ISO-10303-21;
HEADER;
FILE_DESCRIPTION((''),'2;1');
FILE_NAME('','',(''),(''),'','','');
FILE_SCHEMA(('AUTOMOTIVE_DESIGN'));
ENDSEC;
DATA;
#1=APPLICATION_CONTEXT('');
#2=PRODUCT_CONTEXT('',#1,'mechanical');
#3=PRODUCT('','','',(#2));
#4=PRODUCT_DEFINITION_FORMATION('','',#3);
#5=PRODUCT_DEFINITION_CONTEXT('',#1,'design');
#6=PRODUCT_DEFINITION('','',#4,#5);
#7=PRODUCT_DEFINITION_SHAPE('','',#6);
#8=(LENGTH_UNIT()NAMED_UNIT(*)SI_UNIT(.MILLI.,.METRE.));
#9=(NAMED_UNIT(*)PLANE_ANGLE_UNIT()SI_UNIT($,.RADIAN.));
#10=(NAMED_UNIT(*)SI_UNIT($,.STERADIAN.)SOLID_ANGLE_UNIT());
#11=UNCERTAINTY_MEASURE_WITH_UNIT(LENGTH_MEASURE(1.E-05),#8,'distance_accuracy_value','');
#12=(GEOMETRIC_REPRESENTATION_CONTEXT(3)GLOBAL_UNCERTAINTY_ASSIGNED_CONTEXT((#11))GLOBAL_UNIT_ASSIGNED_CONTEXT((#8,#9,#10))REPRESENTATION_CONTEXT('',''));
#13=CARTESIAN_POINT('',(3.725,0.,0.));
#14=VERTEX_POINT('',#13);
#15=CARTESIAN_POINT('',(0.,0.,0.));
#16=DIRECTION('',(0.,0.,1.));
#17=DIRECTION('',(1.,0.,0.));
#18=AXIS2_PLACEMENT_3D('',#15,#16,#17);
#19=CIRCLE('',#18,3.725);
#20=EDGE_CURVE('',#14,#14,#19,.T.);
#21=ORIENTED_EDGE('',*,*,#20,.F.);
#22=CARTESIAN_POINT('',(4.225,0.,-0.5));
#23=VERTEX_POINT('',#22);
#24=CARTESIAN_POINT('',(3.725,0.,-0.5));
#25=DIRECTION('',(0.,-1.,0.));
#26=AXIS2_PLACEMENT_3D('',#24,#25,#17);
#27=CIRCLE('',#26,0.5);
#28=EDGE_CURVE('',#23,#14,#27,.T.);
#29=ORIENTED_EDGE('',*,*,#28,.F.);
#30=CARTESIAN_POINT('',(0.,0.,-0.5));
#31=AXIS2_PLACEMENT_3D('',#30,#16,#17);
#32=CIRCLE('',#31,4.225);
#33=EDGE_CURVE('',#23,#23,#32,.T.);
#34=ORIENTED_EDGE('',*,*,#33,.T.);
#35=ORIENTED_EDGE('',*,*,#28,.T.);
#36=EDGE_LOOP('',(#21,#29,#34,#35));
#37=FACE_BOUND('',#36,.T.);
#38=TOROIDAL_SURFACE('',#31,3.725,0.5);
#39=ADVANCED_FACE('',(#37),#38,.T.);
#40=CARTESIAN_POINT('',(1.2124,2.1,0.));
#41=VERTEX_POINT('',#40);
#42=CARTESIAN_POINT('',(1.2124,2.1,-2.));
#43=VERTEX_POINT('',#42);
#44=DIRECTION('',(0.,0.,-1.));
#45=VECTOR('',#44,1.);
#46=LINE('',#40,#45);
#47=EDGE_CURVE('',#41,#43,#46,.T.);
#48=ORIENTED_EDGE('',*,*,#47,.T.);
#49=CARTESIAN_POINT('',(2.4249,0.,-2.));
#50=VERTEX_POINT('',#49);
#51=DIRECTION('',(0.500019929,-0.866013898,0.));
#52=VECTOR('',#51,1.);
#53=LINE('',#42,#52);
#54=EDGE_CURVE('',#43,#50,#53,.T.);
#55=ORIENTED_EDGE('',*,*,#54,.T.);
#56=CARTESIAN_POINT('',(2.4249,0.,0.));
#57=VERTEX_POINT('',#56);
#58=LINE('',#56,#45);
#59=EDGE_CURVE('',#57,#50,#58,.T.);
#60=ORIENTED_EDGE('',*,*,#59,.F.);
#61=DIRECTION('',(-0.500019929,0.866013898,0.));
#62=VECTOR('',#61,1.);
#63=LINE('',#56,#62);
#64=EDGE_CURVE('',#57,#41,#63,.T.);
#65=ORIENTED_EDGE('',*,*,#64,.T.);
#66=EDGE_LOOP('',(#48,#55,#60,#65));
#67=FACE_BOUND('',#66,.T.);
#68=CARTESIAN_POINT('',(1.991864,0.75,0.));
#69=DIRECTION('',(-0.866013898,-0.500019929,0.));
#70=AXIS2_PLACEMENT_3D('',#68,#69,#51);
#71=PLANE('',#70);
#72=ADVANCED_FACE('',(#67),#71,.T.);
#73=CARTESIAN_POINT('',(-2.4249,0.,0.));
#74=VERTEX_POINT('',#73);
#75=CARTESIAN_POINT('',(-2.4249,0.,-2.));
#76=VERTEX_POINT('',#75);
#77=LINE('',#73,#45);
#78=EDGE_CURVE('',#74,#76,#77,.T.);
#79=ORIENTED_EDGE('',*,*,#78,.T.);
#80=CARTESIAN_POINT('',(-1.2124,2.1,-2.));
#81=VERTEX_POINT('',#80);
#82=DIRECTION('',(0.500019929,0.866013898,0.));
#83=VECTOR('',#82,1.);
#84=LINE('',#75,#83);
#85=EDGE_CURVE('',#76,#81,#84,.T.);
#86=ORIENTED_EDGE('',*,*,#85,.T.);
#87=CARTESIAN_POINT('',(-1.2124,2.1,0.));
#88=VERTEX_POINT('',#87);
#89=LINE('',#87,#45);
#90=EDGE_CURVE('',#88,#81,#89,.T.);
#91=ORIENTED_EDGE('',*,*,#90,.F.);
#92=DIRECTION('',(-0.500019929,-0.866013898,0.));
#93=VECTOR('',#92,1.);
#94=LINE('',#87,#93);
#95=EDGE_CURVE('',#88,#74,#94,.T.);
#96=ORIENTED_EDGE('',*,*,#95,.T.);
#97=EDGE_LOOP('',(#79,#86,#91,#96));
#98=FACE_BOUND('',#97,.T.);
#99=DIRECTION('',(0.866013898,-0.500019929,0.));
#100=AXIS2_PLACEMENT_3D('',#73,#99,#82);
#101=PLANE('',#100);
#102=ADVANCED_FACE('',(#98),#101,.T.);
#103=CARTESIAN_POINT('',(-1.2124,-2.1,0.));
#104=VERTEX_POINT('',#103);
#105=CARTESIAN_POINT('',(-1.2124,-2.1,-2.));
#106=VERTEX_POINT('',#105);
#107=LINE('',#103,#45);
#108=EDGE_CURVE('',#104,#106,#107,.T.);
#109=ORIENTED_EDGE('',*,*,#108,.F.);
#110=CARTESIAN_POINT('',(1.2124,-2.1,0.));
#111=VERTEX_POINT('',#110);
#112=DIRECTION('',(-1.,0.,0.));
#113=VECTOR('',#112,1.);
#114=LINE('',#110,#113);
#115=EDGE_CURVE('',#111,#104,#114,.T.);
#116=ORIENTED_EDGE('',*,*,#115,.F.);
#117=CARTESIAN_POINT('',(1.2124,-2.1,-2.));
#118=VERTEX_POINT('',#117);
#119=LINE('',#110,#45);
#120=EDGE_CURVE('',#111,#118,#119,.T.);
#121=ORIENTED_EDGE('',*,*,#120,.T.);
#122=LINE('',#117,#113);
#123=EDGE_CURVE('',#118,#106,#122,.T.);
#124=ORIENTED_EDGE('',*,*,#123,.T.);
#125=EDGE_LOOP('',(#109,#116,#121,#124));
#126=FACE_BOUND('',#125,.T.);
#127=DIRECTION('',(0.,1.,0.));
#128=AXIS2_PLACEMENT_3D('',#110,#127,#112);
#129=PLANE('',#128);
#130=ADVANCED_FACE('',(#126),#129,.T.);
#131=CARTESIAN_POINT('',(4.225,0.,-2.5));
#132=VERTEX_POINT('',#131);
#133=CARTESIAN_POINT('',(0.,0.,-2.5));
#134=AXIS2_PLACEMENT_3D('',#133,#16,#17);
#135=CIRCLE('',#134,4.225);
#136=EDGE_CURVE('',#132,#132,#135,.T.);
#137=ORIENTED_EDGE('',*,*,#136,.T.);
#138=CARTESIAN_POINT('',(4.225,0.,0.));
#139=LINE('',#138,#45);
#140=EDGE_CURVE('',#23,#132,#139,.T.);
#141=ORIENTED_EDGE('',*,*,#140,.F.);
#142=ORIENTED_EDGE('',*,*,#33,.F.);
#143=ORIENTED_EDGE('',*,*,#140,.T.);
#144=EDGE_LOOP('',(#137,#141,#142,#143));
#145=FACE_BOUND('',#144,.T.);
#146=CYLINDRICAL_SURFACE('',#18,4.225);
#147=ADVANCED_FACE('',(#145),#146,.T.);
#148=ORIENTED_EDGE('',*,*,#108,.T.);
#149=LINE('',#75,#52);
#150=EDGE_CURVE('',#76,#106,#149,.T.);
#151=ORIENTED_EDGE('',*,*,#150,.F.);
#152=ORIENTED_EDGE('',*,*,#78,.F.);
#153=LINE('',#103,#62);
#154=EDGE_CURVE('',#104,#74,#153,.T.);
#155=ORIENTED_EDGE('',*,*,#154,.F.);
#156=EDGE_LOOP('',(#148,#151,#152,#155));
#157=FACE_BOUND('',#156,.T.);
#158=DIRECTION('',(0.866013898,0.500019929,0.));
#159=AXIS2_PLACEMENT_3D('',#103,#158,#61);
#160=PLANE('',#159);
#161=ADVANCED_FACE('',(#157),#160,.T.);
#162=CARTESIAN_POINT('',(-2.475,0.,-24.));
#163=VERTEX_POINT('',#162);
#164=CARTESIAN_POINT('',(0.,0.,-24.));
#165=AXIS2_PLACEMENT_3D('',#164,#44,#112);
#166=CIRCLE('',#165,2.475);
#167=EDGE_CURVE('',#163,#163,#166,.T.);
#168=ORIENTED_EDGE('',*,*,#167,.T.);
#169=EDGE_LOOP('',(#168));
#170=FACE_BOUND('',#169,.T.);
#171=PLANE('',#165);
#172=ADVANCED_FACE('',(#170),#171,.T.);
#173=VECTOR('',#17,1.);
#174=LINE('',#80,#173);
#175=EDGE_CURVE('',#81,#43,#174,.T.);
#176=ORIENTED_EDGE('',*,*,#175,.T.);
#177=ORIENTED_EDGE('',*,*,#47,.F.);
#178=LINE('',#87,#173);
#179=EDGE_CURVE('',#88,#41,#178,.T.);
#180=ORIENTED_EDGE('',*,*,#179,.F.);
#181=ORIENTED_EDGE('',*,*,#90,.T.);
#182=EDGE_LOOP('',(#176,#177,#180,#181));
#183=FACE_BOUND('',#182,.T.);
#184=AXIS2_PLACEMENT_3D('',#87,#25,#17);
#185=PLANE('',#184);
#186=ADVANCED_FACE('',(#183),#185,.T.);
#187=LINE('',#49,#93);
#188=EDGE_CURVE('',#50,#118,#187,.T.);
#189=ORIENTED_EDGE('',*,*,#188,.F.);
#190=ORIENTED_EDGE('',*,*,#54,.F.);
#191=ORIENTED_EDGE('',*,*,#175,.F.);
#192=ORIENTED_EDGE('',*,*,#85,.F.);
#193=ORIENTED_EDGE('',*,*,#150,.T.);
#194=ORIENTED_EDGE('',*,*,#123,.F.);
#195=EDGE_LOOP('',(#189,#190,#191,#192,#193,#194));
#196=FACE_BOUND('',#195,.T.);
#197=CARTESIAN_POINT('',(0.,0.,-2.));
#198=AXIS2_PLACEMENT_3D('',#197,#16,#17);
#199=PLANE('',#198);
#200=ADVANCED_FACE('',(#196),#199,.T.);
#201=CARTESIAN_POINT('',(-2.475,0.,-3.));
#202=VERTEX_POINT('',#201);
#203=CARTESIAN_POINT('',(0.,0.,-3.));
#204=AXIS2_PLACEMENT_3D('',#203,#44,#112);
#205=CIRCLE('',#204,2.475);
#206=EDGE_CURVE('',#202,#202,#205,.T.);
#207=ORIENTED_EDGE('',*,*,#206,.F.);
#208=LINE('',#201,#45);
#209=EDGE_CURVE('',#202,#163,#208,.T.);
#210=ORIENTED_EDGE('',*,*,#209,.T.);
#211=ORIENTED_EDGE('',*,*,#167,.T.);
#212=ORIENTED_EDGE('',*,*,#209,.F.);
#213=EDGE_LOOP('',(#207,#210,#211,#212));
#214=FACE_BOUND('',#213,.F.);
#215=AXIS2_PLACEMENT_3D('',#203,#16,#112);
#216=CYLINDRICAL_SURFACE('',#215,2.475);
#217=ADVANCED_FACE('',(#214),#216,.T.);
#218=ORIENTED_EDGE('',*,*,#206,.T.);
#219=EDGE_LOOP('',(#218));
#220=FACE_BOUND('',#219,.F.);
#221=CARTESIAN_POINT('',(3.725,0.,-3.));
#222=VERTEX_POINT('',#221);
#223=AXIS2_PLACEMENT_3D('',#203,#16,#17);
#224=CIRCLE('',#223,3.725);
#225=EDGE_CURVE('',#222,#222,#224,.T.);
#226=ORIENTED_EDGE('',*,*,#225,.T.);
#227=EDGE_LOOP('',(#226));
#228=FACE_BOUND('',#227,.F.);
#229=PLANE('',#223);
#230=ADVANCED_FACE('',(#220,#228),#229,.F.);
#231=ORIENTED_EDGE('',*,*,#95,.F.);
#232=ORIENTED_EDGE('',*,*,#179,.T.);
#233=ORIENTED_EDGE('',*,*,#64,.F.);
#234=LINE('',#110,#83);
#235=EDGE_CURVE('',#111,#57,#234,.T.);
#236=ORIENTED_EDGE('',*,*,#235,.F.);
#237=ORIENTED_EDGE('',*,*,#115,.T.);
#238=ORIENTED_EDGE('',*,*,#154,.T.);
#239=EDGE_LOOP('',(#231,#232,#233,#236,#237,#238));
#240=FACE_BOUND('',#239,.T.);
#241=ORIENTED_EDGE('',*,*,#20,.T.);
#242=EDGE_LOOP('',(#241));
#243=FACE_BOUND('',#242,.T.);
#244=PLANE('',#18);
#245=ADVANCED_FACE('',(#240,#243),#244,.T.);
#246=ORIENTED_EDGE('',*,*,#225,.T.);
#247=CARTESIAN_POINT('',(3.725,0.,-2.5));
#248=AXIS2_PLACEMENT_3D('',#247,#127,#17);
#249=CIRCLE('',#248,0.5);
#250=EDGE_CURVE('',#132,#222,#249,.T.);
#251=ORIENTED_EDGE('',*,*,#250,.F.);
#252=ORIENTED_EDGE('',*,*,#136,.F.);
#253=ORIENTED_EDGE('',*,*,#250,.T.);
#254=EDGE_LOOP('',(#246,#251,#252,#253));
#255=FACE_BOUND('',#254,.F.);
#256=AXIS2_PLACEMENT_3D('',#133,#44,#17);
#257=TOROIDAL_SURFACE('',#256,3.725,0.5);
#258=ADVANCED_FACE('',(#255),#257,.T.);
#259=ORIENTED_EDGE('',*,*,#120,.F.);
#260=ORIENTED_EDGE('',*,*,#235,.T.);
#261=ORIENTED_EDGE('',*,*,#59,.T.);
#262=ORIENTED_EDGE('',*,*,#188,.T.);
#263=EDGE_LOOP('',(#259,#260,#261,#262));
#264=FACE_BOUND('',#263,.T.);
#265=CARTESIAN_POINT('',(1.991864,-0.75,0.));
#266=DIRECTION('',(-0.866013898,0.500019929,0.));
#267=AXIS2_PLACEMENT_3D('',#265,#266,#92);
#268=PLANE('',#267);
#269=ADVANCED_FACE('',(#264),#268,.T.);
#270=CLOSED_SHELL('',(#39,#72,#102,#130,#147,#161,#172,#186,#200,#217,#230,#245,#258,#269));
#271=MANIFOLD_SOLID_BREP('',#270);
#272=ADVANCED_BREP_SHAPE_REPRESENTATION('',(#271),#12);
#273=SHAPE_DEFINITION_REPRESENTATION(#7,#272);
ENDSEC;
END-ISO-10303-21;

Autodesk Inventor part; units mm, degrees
ref_plane "YZ Plane" through (0, 0, 0) normal (1, 0, 0) x (0, 1, 0)
ref_plane "XZ Plane" through (0, 0, 0) normal (0, 1, 0) x (-1, 0, 0)
sketch "Sketch1" plane through (0, 0, 0) normal (0, 0, 1) x (1, 0, 0)
  circle A0 centre (0, 0) radius 4.225
  dimension "d0" = 8.45
extrude "Extrusion1" add sketch "Sketch1" against normal blind 3
sketch "Sketch2" plane through (0, 0, -3) normal (0, 0, -1) x (-1, 0, 0)
  circle A0 centre (0, 0) radius 2.475
  dimension "d3" = 4.95
extrude "Extrusion2" add sketch "Sketch2" along normal blind 40
thread "Thread1" size "M5x0.8" class "6g" standard "ANSI Metric M Profile" length 27
sketch "Sketch3" plane through (0, 0, 0) normal (0, 0, 1) x (1, 0, 0)
  line L0 (-1.2124, -2.1) -> (-2.4249, 0)
  line L1 (-2.4249, 0) -> (-1.2124, 2.1)
  line L2 (-1.2124, 2.1) -> (1.2124, 2.1)
  line L3 (1.2124, 2.1) -> (2.4249, 0)
  line L4 (2.4249, 0) -> (1.2124, -2.1)
  line L5 (1.2124, -2.1) -> (-1.2124, -2.1)
  line L6 (-4.5, -0.75) -> (4.5, -0.75)
  line L7 (4.5, -0.75) -> (4.5, 0.75)
  line L8 (4.5, 0.75) -> (-4.5, 0.75)
  line L9 (-4.5, 0.75) -> (-4.5, -0.75)
  line L10 (-4.5, -0.75) -> (4.5, 0.75) construction
  line L11 (4.5, -0.75) -> (-4.5, 0.75) construction
  point P0 (0, 0)
  point P1 (0, 0)
  dimension "d8" = 2.1
  dimension "d13" = 4.2
  dimension "d18" = 9
  dimension "d19" = 1.5
extrude "Extrusion3" cut sketch "Sketch3" against normal blind 2 contours L0 L6 L4 L5 | L0 L1 L8 L3 L4 L6 | L1 L2 L3 L8
fillet "Fillet1" radius 0.5 2 edges at (-4.225, 0, 0) (-4.225, 0, -3)
ref_plane "Work Plane1" through (0, 0, -18.5) normal (0, 0, -1) x (-1, 0, 0)
sketch "Sketch4" plane through (0, 0, -43) normal (0, 0, -1) x (-1, 0, 0)
  circle A0 centre (0, 0) radius 2.475 projected
extrude "Extrusion4" cut sketch "Sketch4" against normal blind 19
properties part number "ScrewM5x40_Machined" material "Aluminum 6061-AHC"
